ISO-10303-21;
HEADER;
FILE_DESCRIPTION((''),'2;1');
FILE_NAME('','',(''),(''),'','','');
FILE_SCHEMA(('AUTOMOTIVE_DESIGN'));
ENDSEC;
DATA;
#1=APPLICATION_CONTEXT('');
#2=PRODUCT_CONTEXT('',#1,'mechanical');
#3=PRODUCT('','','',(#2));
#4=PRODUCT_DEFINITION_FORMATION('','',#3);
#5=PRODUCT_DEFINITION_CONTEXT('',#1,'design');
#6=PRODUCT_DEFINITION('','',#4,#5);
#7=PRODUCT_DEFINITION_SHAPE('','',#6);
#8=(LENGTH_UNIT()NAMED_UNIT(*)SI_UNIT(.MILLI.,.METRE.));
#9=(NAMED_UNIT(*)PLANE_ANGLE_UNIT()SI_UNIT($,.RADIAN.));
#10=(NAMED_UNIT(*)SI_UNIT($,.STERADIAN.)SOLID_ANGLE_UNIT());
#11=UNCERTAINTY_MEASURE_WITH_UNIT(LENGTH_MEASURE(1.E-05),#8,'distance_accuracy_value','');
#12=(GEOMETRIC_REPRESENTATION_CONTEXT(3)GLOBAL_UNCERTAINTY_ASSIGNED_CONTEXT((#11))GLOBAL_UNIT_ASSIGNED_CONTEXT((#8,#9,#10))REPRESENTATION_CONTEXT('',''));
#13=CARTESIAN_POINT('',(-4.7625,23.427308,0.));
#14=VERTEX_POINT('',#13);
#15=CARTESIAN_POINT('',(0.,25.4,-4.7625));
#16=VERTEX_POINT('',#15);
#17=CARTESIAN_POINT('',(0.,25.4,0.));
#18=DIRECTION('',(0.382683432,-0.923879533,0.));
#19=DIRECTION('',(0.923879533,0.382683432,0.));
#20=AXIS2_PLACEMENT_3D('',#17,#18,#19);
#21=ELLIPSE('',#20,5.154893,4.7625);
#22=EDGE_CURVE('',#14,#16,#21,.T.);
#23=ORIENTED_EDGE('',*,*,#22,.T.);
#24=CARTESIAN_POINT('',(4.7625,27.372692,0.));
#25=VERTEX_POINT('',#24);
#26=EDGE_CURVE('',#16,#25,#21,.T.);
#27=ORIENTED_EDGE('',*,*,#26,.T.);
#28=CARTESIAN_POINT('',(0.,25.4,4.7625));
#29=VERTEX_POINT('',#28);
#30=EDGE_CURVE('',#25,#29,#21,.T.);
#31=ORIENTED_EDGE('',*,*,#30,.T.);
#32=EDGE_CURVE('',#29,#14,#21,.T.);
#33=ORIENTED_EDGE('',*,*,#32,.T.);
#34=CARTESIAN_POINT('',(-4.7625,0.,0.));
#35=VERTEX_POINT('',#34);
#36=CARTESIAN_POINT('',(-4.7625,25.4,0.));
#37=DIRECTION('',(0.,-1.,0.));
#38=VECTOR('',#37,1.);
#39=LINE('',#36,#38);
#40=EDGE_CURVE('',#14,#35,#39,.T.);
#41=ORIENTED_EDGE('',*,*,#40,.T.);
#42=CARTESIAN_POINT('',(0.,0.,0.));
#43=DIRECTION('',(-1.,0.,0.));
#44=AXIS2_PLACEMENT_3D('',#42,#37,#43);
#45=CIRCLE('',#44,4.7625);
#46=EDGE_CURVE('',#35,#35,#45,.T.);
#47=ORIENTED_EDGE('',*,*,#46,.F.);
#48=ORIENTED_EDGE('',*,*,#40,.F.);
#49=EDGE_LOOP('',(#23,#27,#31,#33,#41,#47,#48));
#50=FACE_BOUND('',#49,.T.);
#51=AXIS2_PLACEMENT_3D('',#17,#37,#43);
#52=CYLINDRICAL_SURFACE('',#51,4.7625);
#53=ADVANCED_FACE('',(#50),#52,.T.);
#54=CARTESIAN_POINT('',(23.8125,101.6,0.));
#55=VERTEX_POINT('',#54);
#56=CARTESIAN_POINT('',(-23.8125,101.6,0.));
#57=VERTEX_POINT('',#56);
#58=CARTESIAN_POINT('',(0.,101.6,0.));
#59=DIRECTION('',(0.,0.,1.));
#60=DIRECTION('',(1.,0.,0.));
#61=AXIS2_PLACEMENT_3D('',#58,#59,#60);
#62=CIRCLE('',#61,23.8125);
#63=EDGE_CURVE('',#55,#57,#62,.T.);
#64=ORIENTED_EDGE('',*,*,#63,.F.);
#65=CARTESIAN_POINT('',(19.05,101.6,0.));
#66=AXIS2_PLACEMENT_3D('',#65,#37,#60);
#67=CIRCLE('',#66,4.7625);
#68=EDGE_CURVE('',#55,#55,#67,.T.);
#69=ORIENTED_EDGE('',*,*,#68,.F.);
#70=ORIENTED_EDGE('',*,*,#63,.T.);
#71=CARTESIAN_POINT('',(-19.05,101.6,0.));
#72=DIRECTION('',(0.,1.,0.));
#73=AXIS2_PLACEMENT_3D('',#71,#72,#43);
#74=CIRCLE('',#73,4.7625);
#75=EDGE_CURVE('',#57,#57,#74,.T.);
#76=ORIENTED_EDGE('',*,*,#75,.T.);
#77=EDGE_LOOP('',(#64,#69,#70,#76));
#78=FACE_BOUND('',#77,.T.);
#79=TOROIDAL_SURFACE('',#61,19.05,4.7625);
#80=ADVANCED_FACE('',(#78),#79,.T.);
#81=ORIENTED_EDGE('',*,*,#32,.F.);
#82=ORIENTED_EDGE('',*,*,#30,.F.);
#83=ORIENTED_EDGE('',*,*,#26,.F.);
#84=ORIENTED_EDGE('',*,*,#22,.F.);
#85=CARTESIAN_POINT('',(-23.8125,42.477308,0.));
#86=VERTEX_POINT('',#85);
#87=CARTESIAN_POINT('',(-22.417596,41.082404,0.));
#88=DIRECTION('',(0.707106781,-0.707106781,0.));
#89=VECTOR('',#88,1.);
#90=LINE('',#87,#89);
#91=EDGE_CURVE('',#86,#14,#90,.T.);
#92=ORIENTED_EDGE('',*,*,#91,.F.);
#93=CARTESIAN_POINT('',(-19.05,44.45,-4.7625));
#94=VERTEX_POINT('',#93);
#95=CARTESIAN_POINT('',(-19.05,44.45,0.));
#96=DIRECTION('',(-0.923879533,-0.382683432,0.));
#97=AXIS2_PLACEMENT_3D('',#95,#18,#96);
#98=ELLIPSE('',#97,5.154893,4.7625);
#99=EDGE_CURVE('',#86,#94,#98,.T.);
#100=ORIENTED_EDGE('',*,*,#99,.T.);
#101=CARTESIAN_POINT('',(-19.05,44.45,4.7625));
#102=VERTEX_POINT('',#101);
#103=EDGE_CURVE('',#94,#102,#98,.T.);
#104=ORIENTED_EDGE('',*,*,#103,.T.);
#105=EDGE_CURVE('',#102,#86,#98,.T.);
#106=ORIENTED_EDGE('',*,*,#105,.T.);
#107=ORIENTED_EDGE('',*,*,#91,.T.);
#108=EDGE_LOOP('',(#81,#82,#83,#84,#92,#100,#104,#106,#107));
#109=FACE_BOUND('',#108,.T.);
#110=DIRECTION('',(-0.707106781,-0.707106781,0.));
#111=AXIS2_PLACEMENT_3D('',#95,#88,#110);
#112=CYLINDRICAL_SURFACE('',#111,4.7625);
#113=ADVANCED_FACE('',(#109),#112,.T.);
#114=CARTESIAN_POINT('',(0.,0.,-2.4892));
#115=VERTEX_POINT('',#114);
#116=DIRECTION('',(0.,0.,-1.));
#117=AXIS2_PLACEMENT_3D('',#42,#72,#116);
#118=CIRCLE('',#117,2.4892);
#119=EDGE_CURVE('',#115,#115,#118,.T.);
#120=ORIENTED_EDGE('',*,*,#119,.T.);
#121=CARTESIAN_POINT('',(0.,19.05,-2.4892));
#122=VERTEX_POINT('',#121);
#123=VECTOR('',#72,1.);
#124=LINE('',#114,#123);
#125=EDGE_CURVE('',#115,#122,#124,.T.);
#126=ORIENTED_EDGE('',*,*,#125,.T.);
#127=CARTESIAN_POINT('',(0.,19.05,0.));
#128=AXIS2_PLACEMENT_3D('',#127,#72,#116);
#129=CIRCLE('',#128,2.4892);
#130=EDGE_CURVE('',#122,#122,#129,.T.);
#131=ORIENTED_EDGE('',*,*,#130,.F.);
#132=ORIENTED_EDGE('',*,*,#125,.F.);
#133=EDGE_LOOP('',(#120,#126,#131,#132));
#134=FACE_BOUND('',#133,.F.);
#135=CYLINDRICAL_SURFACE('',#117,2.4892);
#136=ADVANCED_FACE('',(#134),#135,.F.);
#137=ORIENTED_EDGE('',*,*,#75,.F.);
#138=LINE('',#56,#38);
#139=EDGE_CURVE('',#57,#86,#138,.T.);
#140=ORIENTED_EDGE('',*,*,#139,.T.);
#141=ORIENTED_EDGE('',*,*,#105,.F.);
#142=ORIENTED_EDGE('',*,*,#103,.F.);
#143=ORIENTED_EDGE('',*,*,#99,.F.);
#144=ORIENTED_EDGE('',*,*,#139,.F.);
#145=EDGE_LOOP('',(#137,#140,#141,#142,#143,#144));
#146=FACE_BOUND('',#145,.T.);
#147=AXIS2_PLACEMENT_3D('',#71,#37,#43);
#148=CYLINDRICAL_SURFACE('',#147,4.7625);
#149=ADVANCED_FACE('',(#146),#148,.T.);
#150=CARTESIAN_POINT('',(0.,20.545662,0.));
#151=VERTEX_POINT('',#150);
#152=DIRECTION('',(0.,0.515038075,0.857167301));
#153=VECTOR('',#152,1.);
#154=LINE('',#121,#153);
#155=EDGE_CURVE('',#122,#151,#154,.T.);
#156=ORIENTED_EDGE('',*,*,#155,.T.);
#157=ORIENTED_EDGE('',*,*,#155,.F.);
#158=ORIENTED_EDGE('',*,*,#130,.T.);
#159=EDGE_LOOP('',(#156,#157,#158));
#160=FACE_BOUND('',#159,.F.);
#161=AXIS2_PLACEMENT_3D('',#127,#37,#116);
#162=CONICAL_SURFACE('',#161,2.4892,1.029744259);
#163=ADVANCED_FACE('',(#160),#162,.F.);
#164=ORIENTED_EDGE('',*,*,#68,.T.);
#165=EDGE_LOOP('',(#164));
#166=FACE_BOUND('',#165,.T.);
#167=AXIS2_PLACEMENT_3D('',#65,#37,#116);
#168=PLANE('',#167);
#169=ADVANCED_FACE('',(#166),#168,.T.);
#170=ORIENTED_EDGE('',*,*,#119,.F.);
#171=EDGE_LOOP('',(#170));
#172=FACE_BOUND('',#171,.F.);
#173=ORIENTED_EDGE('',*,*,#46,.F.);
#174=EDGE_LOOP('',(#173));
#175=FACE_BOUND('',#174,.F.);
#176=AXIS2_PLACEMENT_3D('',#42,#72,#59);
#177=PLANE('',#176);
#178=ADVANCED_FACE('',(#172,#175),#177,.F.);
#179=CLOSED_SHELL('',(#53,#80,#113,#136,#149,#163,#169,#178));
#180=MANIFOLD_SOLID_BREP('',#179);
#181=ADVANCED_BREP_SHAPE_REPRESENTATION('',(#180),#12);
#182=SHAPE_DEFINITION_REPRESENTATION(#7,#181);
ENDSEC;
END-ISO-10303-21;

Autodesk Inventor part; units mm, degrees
ref_plane "YZ Plane" through (0, 0, 0) normal (1, 0, 0) x (0, 1, 0)
ref_plane "XZ Plane" through (0, 0, 0) normal (0, 1, 0) x (-1, 0, 0)
ref_plane "XY Plane" through (0, 0, 0) normal (0, 0, 1) x (1, 0, 0)
sketch "Sketch1" plane through (0, 0, 0) normal (0, 0, 1) x (1, 0, 0)
  arc A0 (19.05, 101.6) -> (-19.05, 101.6) centre (0, 101.6) ccw
  line L0 (-19.05, 101.6) -> (-19.05, 44.45)
  line L1 (-19.05, 44.45) -> (0, 25.4)
  line L2 (0, 25.4) -> (0, 0)
  dimension "d1" = 19.05
  dimension "d2" = 45
  dimension "d5" = 25.4
  dimension "d6" = 101.6
sketch "Sketch2" plane through (0, 0, 0) normal (0, 1, 0) x (-1, 0, 0)
  circle A0 centre (0, 0) radius 4.7625
  dimension "d7" = 9.525
sweep "Sweep1" add profiles "Sketch2" path "Sketch1"
sketch "Sketch3" plane through (0, 0, 0) normal (0, -1, 0) x (1, 0, 0)
  point P0 (0, 0)
  point P1 (0, 0)
hole "Hole1" at (0, 0, 0) direction (0, 1, 0) diameter 4.9784 depth 19.05 tip angle 118
